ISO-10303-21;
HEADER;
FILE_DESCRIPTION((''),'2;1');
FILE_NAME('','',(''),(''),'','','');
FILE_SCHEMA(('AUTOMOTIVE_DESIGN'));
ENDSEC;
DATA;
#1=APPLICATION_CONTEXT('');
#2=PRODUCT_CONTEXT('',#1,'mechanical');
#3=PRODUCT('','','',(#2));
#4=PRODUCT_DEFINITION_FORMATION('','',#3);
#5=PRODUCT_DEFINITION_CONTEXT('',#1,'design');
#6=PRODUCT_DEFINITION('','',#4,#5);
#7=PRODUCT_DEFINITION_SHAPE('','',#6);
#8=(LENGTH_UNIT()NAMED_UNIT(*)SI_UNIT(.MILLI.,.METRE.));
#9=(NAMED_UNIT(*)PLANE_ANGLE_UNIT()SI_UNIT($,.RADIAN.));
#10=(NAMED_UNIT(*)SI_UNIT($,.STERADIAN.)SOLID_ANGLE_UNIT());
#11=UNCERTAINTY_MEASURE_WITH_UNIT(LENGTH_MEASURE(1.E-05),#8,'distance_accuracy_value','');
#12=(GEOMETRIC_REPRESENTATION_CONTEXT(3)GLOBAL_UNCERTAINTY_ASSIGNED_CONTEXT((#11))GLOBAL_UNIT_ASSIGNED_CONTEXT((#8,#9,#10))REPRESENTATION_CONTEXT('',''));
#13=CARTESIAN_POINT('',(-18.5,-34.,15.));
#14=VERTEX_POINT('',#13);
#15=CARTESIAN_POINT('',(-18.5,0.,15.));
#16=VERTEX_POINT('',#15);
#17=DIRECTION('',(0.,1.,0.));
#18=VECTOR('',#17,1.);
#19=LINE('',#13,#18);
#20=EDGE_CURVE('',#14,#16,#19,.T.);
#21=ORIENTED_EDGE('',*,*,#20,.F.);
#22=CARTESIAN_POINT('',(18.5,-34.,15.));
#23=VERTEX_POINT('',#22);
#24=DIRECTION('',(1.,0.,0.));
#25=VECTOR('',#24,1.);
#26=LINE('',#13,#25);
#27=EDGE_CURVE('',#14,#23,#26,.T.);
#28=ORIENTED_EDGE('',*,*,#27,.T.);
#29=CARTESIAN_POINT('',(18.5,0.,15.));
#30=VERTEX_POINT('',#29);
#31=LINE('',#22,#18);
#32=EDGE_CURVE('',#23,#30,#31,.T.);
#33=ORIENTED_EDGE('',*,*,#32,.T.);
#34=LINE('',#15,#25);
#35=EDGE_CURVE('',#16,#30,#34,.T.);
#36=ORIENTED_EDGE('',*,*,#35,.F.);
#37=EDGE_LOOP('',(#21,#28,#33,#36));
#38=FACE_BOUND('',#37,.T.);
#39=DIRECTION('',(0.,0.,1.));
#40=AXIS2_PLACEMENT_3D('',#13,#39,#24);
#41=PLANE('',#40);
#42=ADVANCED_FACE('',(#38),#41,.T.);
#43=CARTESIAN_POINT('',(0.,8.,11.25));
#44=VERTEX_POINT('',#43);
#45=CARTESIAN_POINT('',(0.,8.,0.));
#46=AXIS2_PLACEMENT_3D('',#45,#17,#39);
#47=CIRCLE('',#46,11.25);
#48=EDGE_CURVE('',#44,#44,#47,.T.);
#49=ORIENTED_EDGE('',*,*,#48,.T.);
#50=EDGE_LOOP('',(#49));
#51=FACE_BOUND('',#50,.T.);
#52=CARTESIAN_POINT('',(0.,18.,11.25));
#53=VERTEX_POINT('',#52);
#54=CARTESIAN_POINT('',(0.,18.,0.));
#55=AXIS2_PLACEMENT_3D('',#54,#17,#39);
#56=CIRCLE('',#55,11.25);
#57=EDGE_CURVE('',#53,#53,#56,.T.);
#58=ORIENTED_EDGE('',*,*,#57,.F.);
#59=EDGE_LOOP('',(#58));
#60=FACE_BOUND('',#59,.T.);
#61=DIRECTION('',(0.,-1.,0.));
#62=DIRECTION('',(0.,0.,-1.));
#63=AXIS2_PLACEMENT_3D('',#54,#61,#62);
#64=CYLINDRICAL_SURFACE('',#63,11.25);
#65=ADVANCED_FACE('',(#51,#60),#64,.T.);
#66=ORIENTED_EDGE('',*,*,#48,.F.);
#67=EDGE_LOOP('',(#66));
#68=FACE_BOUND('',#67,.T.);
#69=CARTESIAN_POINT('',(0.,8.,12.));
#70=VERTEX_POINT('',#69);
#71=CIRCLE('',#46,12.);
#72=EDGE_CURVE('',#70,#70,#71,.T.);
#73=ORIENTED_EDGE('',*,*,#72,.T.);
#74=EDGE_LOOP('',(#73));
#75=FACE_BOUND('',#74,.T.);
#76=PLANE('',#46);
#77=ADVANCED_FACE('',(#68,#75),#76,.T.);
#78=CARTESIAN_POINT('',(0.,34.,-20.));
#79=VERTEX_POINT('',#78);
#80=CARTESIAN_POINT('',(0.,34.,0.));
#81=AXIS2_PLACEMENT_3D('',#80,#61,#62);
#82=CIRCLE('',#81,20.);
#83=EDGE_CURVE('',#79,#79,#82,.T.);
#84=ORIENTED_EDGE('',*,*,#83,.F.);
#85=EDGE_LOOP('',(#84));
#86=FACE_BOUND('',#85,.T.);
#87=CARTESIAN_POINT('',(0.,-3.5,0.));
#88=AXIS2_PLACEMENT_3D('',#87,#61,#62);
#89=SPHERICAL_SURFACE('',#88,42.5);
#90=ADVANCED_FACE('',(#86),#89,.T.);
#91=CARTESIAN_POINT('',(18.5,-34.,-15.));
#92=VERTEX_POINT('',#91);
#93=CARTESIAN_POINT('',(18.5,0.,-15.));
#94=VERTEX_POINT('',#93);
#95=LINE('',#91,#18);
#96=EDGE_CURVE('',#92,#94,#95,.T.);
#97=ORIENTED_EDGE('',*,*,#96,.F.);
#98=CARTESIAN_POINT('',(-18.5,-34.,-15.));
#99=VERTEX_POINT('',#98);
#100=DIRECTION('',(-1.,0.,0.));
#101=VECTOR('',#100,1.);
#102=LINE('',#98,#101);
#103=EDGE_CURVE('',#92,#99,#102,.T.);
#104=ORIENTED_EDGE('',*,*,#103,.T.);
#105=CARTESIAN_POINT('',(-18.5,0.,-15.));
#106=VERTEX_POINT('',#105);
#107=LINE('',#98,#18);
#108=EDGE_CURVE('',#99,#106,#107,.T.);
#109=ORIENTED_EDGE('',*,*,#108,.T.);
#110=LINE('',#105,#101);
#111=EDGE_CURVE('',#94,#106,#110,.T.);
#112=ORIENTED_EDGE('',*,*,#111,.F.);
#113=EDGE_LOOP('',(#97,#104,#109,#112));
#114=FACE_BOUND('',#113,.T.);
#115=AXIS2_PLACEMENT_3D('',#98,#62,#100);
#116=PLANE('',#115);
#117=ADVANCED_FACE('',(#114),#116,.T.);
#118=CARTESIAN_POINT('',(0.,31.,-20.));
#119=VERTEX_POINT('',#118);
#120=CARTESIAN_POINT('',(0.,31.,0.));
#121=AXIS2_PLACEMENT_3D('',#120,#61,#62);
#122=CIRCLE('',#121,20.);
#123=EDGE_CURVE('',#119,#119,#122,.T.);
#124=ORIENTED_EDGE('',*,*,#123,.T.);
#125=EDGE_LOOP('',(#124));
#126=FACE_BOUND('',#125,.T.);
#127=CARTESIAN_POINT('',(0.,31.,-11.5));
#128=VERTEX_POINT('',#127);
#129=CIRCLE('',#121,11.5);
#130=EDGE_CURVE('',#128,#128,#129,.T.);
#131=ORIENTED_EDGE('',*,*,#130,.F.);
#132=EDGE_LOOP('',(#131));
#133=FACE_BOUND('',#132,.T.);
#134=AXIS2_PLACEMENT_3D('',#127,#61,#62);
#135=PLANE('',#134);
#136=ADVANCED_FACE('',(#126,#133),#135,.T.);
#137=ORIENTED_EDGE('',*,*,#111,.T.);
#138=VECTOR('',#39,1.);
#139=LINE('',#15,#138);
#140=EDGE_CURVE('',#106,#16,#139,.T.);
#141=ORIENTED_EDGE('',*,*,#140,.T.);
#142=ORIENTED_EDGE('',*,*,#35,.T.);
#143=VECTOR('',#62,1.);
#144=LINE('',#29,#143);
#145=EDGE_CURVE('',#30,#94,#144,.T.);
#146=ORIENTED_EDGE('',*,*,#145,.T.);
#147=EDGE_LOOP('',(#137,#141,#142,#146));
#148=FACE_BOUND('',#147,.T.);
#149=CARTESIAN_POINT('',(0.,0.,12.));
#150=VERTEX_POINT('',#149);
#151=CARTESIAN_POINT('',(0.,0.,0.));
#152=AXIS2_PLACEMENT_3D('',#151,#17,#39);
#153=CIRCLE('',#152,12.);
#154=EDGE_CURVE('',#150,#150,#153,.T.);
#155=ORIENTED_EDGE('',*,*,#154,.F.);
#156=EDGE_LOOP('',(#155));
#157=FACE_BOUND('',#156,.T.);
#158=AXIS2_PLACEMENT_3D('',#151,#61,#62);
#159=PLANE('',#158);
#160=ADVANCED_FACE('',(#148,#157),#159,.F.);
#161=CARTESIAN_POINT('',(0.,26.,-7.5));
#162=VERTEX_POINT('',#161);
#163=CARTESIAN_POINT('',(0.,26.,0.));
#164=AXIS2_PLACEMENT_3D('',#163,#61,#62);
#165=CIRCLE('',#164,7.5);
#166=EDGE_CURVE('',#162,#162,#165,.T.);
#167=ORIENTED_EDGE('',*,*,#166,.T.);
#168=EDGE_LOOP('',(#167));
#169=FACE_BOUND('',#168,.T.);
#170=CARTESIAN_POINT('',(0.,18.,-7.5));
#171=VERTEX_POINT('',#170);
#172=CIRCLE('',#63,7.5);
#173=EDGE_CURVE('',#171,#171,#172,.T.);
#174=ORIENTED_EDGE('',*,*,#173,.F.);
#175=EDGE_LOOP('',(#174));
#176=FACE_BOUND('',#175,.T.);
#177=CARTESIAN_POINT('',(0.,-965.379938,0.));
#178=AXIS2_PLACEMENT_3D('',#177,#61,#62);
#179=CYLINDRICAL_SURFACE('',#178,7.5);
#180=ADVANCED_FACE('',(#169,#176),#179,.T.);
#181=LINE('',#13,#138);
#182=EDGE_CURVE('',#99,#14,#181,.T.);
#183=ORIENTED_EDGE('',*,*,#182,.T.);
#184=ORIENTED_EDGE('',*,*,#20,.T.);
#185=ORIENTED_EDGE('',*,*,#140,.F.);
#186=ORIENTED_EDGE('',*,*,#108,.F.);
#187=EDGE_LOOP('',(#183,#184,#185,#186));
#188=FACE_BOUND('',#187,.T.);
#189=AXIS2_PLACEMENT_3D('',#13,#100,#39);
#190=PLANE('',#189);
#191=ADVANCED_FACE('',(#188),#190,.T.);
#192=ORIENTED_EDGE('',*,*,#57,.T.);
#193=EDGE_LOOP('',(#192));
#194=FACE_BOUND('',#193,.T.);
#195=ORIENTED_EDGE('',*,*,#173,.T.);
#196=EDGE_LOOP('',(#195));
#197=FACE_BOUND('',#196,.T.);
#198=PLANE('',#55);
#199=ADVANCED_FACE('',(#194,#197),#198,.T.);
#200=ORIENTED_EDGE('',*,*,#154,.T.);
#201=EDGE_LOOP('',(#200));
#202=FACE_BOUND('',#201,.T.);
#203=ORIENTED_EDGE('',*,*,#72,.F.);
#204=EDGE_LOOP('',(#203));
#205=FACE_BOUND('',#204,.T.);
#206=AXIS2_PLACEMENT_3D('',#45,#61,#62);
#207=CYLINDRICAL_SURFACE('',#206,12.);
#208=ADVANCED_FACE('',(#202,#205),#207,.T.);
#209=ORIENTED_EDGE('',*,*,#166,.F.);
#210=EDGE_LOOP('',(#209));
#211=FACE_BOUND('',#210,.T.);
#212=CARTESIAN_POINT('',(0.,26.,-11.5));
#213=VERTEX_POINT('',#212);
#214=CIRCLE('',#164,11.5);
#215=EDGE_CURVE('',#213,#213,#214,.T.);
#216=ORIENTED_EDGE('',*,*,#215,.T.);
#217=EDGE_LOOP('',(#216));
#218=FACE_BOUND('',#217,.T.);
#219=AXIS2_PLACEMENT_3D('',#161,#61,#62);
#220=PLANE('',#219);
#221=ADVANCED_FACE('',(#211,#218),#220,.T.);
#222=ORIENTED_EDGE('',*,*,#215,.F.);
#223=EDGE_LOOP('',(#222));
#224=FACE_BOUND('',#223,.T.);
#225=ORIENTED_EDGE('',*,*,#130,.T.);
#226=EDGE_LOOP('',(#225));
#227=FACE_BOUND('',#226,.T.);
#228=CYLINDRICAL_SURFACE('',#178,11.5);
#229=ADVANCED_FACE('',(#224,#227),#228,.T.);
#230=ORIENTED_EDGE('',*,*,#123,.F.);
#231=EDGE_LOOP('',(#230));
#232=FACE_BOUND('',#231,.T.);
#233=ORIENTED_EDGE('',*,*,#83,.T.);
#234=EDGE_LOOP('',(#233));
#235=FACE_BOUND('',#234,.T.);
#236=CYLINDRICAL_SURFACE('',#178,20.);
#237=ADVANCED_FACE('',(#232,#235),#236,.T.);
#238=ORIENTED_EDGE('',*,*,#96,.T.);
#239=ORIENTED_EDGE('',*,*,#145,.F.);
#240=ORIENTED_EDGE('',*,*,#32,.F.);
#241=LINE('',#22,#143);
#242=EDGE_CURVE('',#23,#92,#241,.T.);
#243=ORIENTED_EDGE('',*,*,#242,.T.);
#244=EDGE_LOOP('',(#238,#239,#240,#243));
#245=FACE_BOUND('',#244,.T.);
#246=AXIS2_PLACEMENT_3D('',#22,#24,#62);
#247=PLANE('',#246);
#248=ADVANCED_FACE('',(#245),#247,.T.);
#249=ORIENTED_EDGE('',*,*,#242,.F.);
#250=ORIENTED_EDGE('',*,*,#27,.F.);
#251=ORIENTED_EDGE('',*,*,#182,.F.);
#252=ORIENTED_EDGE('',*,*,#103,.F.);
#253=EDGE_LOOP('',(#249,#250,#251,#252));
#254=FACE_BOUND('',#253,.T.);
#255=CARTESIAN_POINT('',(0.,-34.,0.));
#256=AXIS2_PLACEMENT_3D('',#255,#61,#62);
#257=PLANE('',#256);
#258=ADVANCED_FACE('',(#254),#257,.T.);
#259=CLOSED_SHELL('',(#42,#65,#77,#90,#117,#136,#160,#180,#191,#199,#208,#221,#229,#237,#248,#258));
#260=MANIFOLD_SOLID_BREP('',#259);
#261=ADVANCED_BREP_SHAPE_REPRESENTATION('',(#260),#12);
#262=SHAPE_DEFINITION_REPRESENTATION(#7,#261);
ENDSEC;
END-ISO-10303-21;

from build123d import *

# Parameters (mm, degrees)
SKETCH_1_W      = 37
SKETCH_1_H      = 30
EXTRUDE_1_DEPTH = 34
SKETCH_2_R      = 12
EXTRUDE_2_DEPTH = 8
SKETCH_3_R      = 11.25
EXTRUDE_3_DEPTH = 10


with BuildPart() as part:
    # Эскиз1 → Бобышка-Вытянуть1 (new body)
    with BuildSketch(Plane(origin=(0, 0, 0), x_dir=(1, 0, 0), z_dir=(0, 1, 0))):
        Rectangle(SKETCH_1_W, SKETCH_1_H)
    extrude(amount=-EXTRUDE_1_DEPTH)

    # Эскиз2 → Бобышка-Вытянуть2 (add)
    with BuildSketch(Plane(origin=(0, 0, 0), x_dir=(1, 0, 0), z_dir=(0, 1, 0))):
        Circle(SKETCH_2_R)
    extrude(amount=EXTRUDE_2_DEPTH)

    # Эскиз3 → Бобышка-Вытянуть3 (add)
    with BuildSketch(Plane(origin=(0, 8, 0), x_dir=(1, 0, 0), z_dir=(0, 1, 0))):
        Circle(SKETCH_3_R)
    extrude(amount=EXTRUDE_3_DEPTH)

    # Эскиз4 → Повернуть1 (revolve)
    with BuildSketch(Plane(origin=(0, 0, 0), x_dir=(0, 0, -1), z_dir=(1, 0, 0))):
        with BuildLine():
            Line((0, 18), (0, 39))
            ThreePointArc((0, 39), (10.307764064, 37.731056256), (20, 34))
            Line((20, 34), (20, 31))
            Line((20, 31), (11.5, 31))
            Line((11.5, 31), (11.5, 26))
            Line((11.5, 26), (7.5, 26))
            Line((7.5, 26), (7.5, 18))
            Line((7.5, 18), (0, 18))
        make_face()
    revolve(axis=Axis((0, -965.379937914, 0), (0, 1, 0)))


solid = part.part
